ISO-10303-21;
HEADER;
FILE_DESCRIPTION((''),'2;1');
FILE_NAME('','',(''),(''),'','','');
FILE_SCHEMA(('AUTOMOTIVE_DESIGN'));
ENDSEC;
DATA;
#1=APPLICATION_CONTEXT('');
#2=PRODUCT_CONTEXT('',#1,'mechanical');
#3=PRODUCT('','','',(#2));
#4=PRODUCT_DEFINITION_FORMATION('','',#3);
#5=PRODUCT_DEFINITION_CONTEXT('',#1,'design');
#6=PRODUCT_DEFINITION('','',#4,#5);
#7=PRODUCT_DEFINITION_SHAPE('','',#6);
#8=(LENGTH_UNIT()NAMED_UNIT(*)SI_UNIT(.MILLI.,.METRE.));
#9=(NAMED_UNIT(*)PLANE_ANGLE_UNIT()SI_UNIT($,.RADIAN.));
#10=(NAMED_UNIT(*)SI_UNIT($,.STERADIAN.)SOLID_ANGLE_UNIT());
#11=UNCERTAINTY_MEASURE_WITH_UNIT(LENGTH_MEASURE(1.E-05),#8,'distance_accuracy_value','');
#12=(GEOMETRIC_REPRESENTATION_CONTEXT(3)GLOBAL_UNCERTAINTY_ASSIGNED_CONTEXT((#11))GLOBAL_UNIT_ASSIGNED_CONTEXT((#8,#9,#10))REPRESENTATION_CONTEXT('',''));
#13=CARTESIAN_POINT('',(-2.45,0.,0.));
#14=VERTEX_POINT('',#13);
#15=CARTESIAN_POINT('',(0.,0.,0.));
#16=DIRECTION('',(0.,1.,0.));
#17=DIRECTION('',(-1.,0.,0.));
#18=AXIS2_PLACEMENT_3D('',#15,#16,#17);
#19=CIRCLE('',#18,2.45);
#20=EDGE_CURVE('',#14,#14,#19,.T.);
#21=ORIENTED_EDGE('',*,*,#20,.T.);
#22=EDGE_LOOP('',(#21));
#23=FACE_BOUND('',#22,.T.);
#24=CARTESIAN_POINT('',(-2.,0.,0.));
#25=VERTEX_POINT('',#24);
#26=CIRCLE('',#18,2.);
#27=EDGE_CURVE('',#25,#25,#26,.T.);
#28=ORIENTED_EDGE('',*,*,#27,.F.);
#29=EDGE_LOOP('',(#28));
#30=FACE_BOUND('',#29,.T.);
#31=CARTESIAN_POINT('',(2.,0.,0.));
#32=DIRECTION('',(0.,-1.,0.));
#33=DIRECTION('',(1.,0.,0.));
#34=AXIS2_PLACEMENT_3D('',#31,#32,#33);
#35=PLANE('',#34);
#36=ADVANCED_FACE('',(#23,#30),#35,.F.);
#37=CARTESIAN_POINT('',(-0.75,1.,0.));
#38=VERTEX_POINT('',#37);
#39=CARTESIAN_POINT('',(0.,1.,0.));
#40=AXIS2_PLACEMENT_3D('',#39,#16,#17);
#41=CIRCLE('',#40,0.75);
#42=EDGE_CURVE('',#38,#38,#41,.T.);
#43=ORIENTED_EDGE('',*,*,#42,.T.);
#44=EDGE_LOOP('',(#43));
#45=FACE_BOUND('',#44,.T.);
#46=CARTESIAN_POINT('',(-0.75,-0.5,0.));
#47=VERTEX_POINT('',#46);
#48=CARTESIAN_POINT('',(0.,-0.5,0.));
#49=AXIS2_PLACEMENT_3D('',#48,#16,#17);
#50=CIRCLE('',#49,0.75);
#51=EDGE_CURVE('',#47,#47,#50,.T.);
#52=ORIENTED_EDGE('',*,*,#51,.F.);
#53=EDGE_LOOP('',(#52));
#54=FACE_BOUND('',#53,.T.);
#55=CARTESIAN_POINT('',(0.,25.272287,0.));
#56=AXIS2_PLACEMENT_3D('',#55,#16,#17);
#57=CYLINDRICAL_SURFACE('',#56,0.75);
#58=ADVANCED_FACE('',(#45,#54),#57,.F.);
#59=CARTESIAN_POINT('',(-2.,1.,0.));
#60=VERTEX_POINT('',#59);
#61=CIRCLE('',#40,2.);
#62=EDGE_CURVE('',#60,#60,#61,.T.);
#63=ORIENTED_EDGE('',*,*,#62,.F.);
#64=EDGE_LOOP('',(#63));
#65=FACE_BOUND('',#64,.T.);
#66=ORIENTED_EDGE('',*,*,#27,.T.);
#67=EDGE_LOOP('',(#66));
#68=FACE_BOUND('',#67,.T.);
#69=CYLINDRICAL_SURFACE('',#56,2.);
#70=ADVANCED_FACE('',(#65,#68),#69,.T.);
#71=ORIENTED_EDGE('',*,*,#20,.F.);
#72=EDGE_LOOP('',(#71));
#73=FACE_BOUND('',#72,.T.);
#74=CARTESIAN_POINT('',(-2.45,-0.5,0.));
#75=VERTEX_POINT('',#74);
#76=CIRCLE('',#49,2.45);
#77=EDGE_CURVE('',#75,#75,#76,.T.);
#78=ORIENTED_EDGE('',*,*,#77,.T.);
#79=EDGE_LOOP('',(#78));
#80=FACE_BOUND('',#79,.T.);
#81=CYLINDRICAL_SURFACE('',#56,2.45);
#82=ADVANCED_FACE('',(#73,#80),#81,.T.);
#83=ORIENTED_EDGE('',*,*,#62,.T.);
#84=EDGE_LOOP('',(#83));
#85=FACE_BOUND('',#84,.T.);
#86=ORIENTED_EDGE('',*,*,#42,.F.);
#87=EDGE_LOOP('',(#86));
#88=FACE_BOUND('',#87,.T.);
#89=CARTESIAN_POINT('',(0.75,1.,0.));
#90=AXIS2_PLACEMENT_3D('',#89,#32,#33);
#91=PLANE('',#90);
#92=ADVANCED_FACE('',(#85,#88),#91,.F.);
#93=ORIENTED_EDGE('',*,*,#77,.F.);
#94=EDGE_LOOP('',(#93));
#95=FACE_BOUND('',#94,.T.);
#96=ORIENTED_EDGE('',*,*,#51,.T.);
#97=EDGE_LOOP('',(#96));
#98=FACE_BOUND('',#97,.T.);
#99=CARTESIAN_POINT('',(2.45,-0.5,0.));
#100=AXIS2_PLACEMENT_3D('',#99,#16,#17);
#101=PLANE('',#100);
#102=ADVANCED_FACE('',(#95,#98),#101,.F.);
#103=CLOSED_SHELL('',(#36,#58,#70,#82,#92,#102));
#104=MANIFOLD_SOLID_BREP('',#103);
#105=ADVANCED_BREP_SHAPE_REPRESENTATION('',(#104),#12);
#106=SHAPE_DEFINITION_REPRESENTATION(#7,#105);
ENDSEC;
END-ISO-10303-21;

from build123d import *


with BuildPart() as part:
    # Sketch1 → Revolve1 (revolve)
    with BuildSketch(Plane.XY, mode=Mode.PRIVATE) as revolve1_sk:
        Polygon((2, 0), (2.45, 0), (2.45, -0.5), (0.75, -0.5), (0.75, 1), (2, 1), align=None)
    revolve(revolve1_sk.sketch.rotate(Axis((0, 25.272286552, 0), (0, -1, 0)), 180), axis=Axis((0, 25.272286552, 0), (0, -1, 0)))


solid = part.part
